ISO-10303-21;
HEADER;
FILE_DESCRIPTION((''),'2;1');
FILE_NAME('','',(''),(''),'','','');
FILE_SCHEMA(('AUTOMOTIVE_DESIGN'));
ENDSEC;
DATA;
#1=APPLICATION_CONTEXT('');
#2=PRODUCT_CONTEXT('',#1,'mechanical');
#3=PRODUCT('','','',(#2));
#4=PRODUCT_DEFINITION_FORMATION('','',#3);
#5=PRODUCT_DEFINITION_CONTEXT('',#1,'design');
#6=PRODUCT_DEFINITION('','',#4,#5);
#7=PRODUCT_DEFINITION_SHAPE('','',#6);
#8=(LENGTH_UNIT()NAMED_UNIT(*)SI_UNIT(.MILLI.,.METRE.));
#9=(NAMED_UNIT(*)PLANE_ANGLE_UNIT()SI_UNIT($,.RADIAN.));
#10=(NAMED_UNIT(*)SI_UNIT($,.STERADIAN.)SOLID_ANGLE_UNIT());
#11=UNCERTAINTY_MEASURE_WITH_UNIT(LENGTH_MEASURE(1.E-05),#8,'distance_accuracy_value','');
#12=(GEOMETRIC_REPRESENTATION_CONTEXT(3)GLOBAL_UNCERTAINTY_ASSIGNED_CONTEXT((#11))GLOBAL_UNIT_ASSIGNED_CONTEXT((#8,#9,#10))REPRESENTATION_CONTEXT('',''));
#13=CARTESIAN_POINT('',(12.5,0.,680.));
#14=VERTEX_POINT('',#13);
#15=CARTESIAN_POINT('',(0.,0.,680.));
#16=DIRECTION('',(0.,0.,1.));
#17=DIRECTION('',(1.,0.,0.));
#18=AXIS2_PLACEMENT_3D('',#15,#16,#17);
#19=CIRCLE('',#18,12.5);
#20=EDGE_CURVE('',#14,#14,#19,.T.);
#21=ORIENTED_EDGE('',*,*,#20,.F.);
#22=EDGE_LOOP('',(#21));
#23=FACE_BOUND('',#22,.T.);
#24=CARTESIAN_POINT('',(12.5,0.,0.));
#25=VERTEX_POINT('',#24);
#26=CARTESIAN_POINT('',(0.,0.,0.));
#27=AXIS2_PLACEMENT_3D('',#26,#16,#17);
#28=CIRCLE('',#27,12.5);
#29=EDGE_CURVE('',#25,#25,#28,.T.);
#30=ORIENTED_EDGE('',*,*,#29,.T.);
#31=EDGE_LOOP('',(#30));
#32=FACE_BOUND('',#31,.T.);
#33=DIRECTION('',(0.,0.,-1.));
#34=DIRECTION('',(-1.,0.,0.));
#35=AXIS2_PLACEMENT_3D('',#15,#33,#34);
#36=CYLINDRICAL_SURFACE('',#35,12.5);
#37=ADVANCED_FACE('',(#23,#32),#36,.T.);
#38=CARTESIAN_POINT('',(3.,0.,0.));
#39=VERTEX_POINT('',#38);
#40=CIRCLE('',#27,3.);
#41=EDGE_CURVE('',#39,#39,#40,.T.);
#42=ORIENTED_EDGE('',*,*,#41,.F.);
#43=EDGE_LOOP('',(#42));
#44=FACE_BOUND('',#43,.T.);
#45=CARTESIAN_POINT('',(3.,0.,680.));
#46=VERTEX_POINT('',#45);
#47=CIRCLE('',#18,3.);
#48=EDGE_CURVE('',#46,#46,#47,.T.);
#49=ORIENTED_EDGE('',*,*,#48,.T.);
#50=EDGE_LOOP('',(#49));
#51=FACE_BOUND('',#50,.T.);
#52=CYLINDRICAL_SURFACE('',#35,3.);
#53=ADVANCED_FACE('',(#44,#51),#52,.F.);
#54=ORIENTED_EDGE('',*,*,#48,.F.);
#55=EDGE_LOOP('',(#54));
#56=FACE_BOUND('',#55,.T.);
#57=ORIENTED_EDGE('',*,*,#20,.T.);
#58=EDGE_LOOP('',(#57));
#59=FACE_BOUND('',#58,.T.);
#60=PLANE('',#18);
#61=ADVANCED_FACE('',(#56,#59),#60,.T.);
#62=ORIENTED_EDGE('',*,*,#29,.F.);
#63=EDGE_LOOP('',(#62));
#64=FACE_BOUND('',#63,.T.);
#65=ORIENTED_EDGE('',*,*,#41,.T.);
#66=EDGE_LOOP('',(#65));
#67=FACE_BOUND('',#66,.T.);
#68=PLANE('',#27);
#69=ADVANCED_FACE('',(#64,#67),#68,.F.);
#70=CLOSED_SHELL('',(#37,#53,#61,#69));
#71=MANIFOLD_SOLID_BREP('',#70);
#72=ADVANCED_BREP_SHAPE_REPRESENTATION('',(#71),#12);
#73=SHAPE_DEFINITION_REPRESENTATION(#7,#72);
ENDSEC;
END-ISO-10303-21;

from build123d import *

# Parameters (mm, degrees)
IZIM1_R                     = 12.5
IZIM1_R_2                   = 3
Y_KSEKLIK_EKSTR_ZYON1_DEPTH = 680


with BuildPart() as part:
    # Çizim1 → Yükseklik-Ekstrüzyon1 (new body)
    with BuildSketch(Plane.XY):
        Circle(IZIM1_R)
        Circle(IZIM1_R_2, mode=Mode.SUBTRACT)
    extrude(amount=Y_KSEKLIK_EKSTR_ZYON1_DEPTH)


solid = part.part
